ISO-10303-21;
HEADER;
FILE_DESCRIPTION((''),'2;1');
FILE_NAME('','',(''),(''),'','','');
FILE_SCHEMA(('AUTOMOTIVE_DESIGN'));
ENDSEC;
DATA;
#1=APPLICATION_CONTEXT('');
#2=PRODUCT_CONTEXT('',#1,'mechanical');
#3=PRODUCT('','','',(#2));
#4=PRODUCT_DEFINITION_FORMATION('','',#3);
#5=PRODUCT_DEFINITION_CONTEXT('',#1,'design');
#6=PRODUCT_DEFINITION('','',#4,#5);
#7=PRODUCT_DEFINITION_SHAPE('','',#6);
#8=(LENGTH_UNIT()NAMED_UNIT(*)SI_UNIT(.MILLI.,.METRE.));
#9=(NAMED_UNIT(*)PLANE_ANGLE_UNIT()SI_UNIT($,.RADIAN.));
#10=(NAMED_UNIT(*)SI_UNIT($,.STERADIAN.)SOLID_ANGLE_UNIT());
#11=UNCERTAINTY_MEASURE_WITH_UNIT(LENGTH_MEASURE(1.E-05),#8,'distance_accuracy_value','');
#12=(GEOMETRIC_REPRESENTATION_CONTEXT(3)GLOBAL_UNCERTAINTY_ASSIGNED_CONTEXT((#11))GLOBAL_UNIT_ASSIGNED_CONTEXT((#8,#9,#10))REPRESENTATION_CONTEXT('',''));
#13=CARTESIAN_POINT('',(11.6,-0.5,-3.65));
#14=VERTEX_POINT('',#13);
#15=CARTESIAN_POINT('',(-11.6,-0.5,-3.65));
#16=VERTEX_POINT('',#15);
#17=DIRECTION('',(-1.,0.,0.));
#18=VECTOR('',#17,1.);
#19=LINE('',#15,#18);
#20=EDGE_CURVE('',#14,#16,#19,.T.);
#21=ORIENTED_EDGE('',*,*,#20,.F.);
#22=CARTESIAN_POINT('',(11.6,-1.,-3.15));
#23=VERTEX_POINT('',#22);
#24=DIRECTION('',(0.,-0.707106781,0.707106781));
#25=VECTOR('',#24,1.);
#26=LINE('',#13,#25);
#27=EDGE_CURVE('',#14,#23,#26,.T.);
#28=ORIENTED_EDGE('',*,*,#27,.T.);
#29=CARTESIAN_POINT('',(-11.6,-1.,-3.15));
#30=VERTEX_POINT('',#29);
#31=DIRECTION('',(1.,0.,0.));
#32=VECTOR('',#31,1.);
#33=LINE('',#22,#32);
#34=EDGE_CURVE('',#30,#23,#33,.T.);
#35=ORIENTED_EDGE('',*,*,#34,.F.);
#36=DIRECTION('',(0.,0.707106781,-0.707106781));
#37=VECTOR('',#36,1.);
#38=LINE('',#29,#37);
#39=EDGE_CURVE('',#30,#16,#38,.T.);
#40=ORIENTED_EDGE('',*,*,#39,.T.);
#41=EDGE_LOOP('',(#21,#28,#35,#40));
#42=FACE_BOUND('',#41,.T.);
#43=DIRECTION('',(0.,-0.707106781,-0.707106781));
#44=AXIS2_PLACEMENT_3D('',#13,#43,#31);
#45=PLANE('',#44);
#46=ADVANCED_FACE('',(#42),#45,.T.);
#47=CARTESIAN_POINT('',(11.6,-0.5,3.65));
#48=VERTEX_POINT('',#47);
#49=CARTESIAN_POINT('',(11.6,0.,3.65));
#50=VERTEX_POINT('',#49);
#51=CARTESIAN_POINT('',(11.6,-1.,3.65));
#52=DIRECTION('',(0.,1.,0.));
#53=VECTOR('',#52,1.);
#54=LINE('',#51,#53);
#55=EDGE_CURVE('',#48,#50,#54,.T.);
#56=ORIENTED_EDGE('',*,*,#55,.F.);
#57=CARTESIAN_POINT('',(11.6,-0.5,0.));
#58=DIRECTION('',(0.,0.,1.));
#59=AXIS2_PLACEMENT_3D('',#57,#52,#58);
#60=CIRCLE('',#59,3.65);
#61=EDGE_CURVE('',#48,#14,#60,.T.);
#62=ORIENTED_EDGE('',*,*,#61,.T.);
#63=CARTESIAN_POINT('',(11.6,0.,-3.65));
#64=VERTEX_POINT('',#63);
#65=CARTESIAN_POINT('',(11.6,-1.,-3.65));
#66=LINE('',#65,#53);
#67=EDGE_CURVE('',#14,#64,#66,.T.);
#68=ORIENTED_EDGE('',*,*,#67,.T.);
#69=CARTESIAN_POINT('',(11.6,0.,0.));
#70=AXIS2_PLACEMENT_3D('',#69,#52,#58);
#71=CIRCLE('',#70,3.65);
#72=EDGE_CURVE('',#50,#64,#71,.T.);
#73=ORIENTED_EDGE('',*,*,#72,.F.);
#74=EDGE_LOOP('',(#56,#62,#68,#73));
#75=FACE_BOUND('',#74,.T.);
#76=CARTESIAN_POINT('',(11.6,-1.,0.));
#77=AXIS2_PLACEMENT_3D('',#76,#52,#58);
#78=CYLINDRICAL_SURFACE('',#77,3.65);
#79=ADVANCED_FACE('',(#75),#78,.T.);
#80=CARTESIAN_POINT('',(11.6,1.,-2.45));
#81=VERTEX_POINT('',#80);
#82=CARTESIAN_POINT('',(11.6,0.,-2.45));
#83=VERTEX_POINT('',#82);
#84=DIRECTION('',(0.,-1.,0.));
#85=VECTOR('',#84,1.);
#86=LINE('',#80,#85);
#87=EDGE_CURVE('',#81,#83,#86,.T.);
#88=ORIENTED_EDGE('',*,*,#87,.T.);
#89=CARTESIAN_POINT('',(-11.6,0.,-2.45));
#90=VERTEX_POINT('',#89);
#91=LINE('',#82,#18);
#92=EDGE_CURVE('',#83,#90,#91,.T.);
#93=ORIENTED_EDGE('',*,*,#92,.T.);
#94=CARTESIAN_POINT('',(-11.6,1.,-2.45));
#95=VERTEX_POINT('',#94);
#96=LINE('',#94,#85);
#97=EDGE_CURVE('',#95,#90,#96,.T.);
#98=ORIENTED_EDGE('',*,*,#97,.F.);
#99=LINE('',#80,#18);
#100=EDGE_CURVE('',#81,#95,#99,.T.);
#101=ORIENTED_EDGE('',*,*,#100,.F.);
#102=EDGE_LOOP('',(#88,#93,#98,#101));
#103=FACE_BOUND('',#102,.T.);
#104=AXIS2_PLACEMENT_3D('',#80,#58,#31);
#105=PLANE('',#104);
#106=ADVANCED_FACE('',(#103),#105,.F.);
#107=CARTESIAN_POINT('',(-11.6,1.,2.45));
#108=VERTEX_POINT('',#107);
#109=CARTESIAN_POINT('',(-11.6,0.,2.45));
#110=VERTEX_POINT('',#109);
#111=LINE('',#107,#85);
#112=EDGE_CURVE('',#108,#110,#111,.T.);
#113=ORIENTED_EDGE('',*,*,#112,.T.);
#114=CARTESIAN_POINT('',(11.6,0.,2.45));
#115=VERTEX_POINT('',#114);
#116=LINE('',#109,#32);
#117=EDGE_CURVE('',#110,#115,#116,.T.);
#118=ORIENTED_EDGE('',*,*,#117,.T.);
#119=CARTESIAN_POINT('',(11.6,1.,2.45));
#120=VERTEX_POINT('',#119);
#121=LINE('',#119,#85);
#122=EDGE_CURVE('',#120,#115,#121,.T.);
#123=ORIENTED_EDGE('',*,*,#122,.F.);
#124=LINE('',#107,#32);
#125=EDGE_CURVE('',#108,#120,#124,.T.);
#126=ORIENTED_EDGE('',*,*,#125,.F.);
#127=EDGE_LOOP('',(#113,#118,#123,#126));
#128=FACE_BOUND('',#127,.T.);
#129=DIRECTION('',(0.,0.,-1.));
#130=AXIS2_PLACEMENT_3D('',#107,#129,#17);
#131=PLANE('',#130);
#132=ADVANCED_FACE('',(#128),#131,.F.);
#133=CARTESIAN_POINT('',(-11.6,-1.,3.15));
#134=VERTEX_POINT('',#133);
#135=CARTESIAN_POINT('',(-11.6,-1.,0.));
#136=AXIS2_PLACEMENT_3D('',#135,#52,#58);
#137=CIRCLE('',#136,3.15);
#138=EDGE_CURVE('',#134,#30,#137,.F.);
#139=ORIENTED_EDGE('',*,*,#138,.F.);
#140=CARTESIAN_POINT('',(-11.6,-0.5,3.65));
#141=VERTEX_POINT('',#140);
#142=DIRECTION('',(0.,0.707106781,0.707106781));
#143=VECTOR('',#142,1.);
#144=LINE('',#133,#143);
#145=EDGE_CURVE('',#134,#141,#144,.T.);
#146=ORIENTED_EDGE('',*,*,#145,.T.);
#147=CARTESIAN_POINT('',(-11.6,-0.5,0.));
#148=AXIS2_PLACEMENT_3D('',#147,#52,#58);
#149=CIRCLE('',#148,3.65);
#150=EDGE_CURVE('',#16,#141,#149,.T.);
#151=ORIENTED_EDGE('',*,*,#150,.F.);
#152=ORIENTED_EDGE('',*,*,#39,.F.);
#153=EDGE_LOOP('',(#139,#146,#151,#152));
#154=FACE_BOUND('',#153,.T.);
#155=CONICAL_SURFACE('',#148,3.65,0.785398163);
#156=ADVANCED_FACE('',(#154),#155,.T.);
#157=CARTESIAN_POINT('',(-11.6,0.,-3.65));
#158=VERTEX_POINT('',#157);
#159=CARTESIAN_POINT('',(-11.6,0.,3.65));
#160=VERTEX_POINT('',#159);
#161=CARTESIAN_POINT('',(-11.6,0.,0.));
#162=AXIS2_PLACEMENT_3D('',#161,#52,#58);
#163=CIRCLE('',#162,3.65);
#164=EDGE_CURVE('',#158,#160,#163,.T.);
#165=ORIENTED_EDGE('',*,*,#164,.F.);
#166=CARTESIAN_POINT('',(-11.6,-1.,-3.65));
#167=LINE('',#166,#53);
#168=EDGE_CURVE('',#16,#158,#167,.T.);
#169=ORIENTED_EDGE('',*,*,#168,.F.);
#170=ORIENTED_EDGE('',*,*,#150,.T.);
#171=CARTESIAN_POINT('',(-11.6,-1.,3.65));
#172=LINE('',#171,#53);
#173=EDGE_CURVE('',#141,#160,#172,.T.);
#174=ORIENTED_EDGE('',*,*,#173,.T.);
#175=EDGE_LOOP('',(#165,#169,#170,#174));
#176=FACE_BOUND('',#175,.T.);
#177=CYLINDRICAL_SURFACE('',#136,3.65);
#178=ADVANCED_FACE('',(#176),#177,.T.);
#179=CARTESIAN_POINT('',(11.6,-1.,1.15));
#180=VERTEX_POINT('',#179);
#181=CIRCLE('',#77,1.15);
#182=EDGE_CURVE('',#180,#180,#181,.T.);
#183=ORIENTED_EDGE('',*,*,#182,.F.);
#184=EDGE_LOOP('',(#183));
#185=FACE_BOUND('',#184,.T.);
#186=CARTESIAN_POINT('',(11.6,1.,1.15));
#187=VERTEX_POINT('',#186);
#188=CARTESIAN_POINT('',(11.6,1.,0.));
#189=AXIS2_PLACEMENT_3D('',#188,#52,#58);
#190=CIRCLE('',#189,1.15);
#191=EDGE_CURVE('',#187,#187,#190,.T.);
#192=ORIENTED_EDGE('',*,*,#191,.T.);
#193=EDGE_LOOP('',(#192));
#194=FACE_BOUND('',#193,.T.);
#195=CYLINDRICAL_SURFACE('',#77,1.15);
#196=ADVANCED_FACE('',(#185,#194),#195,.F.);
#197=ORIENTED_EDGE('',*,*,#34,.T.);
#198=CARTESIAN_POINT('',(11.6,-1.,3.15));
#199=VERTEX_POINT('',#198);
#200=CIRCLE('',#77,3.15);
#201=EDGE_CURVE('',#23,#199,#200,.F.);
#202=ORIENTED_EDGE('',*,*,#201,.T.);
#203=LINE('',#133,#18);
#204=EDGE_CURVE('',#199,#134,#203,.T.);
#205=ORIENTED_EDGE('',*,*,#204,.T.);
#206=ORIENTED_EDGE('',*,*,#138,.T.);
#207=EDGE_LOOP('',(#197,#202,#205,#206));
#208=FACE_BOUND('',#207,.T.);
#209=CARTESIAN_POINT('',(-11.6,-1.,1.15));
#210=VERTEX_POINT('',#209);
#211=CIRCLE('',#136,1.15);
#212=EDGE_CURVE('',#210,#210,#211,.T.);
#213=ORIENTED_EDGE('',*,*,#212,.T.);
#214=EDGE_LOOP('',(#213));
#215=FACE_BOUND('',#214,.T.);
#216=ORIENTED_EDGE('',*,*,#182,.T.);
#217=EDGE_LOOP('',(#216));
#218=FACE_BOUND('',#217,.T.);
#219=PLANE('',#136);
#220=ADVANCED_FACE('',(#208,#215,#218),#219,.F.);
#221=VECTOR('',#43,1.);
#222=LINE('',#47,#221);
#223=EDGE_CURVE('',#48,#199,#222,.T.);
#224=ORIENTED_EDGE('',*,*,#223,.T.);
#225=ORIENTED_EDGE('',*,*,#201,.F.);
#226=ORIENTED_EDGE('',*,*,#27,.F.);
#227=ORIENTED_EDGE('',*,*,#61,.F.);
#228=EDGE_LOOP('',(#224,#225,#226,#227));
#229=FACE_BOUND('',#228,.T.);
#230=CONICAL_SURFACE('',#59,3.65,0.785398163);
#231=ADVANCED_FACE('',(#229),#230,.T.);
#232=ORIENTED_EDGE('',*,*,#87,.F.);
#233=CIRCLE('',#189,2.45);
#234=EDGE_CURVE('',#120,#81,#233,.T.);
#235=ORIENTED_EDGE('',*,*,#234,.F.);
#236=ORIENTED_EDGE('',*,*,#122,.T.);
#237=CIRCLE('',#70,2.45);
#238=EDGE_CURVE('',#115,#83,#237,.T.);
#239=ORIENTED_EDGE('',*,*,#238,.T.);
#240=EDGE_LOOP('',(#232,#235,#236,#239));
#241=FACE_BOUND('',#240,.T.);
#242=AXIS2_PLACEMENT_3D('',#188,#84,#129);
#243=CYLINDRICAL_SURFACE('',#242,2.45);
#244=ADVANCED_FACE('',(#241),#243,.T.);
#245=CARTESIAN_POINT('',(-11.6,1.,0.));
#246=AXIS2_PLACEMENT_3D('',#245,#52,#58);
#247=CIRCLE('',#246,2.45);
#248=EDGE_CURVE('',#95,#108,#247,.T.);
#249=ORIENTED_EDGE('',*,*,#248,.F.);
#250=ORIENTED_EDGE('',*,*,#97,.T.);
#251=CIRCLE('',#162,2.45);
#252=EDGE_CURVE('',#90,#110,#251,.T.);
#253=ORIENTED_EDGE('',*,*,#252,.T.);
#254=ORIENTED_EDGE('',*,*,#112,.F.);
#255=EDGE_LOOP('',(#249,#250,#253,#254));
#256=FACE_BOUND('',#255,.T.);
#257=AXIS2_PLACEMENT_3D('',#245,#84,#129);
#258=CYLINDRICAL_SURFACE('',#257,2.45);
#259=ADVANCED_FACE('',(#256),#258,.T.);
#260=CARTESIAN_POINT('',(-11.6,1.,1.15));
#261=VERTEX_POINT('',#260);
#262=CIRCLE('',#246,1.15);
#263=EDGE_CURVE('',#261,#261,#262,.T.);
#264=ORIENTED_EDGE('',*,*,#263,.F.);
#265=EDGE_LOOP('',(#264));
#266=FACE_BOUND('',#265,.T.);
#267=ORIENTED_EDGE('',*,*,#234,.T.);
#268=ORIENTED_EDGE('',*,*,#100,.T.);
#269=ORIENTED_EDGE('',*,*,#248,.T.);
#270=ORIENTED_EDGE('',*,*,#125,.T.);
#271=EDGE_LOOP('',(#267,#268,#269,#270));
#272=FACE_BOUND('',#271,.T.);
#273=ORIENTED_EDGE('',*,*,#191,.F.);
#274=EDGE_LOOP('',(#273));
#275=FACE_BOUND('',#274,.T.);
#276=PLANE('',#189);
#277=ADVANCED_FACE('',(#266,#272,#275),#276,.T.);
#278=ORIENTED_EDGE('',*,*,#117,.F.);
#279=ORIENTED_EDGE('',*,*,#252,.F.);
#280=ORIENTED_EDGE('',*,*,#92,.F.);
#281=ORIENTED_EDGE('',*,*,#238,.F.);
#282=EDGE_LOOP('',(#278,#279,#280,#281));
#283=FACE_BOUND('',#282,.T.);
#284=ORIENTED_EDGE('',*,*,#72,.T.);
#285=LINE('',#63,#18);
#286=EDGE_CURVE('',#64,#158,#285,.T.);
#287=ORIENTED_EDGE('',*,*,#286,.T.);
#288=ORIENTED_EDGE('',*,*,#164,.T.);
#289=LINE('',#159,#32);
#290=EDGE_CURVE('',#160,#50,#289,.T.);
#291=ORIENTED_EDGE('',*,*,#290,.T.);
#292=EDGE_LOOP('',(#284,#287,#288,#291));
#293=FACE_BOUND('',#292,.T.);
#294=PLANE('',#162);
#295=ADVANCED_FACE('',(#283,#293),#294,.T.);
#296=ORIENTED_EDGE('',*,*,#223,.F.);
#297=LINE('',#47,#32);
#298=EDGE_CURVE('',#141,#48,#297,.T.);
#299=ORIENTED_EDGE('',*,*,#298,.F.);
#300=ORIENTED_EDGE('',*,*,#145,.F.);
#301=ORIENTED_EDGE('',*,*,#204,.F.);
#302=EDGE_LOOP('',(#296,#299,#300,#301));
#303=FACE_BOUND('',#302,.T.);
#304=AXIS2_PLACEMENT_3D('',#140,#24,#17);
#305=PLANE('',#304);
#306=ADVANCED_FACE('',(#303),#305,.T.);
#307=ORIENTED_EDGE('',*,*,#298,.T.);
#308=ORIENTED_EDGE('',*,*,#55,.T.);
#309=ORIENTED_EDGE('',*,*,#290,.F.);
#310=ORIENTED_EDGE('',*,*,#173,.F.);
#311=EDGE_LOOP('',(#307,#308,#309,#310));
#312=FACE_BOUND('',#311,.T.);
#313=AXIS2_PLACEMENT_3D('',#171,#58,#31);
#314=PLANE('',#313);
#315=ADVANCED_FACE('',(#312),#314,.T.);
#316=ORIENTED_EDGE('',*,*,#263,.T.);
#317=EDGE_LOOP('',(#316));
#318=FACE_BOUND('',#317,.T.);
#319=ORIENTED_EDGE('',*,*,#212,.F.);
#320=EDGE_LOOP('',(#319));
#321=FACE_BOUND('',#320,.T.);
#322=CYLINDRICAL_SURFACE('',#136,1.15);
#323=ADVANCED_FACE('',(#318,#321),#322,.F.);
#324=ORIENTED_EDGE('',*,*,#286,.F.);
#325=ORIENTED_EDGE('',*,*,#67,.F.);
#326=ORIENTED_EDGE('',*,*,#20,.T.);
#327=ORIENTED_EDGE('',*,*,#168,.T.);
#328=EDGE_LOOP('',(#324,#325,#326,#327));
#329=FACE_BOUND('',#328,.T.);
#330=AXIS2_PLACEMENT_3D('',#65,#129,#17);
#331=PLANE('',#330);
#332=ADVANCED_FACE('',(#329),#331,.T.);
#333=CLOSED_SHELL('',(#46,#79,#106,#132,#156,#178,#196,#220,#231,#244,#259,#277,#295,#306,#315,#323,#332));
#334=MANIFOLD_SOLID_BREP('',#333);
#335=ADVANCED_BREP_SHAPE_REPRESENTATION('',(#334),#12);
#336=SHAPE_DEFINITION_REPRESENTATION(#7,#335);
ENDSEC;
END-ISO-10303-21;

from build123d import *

# Parameters (mm, degrees)
BOSS_EXTRUDE1_DEPTH = 1
BOSS_EXTRUDE2_DEPTH = 1
SKETCH4_R           = 1.15
CUT_EXTRUDE1_DEPTH  = 16.807751263
CHAMFER1_SIZE       = 0.5


with BuildPart() as part:
    # Sketch2 → Boss-Extrude1 (new body)
    with BuildSketch(Plane(origin=(0, 0, 0), x_dir=(1, 0, 0), z_dir=(0, 1, 0))):
        with BuildLine():
            Line((11.6, 3.65), (-11.6, 3.65))
            ThreePointArc((-11.6, 3.65), (-15.25, 0), (-11.6, -3.65))
            Line((-11.6, -3.65), (11.6, -3.65))
            ThreePointArc((11.6, -3.65), (15.25, 0), (11.6, 3.65))
        make_face()
    extrude(amount=-BOSS_EXTRUDE1_DEPTH)

    # Sketch3 → Boss-Extrude2 (add)
    with BuildSketch(Plane(origin=(0, 0, 0), x_dir=(1, 0, 0), z_dir=(0, 1, 0))):
        with BuildLine():
            Line((-11.6, -2.45), (11.6, -2.45))
            ThreePointArc((11.6, -2.45), (14.05, 0), (11.6, 2.45))
            Line((11.6, 2.45), (-11.6, 2.45))
            ThreePointArc((-11.6, 2.45), (-14.05, 0), (-11.6, -2.45))
        make_face()
    extrude(amount=BOSS_EXTRUDE2_DEPTH)

    # Sketch4 → Cut-Extrude1 (cut, through all)
    with BuildSketch(Plane(origin=(0, 1, 0), x_dir=(1, 0, 0), z_dir=(0, 1, 0))):
        with Locations(Location((-11.6, 0, 0), (0, 0, 270))):
            Circle(SKETCH4_R)
        with Locations(Location((11.6, 0, 0), (0, 0, 270))):
            Circle(SKETCH4_R)
    extrude(amount=-CUT_EXTRUDE1_DEPTH, mode=Mode.SUBTRACT)

    # Chamfer1
    chamfer1_edges = [part.edges().sort_by_distance(p)[0] for p in [
        (15.25, -1, 0),
        (0, -1, -3.65),
        (-15.25, -1, 0),
        (0, -1, 3.65),
    ]]
    chamfer(chamfer1_edges, length=CHAMFER1_SIZE)


solid = part.part
